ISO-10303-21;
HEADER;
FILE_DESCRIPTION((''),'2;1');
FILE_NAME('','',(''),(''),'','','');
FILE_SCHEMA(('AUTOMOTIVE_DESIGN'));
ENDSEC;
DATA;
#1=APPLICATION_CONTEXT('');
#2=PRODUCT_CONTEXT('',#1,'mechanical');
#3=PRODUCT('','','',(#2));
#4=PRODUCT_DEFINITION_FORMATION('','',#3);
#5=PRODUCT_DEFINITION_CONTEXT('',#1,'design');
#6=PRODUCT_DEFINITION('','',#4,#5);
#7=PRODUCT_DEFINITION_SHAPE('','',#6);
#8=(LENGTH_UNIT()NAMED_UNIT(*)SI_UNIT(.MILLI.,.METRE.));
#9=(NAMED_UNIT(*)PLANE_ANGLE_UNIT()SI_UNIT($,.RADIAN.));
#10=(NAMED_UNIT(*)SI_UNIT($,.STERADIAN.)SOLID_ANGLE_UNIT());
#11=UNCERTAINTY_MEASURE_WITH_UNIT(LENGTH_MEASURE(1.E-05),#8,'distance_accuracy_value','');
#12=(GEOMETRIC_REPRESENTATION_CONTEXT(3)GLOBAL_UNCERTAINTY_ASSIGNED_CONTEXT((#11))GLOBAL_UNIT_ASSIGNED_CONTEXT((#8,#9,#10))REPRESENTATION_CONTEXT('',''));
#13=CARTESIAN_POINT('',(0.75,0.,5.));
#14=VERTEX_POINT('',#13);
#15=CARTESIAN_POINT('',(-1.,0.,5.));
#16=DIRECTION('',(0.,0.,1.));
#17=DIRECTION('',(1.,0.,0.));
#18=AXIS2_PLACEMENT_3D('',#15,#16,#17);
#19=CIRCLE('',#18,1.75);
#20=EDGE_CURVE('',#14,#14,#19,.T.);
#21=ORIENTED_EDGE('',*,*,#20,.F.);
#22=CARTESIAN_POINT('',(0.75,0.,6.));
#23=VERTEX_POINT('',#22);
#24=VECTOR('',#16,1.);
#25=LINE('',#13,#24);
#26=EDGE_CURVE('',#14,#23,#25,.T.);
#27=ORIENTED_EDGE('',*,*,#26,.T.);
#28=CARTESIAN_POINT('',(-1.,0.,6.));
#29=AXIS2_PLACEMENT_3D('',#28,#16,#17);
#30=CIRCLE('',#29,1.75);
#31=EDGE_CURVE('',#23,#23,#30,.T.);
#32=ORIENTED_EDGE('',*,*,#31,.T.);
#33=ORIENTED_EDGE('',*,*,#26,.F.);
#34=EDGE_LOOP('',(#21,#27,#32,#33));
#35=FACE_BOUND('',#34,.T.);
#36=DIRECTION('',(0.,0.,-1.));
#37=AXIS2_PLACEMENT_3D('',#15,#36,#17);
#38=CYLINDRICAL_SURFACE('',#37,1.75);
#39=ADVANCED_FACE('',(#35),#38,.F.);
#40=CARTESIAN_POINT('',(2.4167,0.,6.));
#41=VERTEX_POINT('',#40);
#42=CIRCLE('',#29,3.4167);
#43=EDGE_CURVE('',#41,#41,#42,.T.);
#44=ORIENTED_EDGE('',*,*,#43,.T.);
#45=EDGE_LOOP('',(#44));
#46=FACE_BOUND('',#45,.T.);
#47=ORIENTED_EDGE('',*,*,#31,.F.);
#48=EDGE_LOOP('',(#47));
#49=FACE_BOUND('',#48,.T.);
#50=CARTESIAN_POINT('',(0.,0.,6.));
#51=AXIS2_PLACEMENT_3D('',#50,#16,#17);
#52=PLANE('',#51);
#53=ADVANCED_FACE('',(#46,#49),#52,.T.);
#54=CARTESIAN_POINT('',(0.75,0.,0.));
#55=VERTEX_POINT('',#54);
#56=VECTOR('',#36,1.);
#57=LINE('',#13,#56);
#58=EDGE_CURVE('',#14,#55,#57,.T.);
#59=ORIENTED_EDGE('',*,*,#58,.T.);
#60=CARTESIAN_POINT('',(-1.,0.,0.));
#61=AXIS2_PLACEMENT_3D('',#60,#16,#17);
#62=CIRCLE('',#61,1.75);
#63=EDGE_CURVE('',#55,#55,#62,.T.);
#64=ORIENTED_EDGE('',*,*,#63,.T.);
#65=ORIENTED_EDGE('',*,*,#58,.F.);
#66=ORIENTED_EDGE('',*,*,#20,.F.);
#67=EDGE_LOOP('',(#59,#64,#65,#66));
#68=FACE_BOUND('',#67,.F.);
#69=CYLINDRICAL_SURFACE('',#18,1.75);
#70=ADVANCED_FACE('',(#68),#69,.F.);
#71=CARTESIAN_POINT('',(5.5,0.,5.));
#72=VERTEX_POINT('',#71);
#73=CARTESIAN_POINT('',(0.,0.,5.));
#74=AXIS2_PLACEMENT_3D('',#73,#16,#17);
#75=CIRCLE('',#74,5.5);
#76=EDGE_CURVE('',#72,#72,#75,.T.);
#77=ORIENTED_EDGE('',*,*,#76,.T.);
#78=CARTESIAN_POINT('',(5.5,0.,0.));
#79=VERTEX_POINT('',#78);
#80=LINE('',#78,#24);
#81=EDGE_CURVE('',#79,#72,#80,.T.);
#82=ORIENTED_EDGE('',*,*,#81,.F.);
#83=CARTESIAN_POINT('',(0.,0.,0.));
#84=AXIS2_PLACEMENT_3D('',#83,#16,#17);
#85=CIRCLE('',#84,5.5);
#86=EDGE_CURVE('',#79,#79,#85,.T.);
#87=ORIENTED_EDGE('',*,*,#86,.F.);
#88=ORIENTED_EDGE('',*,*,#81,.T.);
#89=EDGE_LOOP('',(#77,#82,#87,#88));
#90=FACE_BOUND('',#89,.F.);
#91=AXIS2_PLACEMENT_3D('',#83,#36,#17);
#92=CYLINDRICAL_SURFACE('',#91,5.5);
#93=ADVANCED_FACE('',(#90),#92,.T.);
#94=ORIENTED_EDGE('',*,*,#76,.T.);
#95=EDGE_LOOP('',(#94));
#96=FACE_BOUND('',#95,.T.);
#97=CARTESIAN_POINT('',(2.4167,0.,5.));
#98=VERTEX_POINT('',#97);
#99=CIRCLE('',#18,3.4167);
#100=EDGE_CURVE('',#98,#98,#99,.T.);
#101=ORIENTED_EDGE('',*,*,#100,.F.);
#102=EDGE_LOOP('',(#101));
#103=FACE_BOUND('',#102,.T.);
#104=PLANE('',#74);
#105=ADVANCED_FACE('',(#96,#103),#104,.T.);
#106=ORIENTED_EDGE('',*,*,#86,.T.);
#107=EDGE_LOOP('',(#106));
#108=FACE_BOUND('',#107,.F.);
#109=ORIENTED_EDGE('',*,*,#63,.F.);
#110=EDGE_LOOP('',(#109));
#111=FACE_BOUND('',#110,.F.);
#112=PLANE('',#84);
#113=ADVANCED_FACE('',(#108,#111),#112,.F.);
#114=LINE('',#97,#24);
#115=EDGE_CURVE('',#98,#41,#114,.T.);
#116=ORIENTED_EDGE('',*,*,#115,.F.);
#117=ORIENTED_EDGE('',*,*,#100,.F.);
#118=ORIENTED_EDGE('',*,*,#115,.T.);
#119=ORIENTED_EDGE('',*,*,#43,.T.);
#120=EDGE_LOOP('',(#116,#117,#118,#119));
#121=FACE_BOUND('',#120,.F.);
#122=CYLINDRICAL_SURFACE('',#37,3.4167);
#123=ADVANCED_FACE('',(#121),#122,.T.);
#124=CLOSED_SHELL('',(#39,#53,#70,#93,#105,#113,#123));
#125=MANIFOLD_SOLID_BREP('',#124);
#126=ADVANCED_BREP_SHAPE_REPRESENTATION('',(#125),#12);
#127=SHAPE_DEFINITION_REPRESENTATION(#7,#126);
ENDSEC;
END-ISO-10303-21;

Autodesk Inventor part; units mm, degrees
ref_plane "YZ Plane" through (0, 0, 0) normal (1, 0, 0) x (0, 1, 0)
ref_plane "XZ Plane" through (0, 0, 0) normal (0, 1, 0) x (-1, 0, 0)
ref_plane "XY Plane" through (0, 0, 0) normal (0, 0, 1) x (1, 0, 0)
sketch "Sketch1" plane through (0, 0, 0) normal (0, 0, 1) x (1, 0, 0)
  circle A0 centre (0, 0) radius 5.5
  dimension "d0" = 11
extrude "Extrusion1" add sketch "Sketch1" along normal blind 5
sketch "Sketch2" plane through (0, 0, 5) normal (0, 0, 1) x (1, 0, 0)
  circle A0 centre (0, 0) radius 5.5 projected
  line L0 (0, 0) -> (-1, 0)
  circle A1 centre (-1, 0) radius 1.75
  circle A2 centre (-1, 0) radius 3.4167
  dimension "d5" = 1
  dimension "d6" = 3.5
  dimension "d7" = 1.6667
extrude "Extrusion2" add sketch "Sketch2" along normal blind 1 contours A2
sketch "Sketch3" plane through (-1, 0, 5) normal (0, 0, 1) x (1, 0, 0)
  circle A0 centre (0, 0) radius 1.75 projected
  point P0 (1, 0)
extrude "Extrusion3" cut sketch "Sketch3" against normal through all
properties part number "eccentric stop"
